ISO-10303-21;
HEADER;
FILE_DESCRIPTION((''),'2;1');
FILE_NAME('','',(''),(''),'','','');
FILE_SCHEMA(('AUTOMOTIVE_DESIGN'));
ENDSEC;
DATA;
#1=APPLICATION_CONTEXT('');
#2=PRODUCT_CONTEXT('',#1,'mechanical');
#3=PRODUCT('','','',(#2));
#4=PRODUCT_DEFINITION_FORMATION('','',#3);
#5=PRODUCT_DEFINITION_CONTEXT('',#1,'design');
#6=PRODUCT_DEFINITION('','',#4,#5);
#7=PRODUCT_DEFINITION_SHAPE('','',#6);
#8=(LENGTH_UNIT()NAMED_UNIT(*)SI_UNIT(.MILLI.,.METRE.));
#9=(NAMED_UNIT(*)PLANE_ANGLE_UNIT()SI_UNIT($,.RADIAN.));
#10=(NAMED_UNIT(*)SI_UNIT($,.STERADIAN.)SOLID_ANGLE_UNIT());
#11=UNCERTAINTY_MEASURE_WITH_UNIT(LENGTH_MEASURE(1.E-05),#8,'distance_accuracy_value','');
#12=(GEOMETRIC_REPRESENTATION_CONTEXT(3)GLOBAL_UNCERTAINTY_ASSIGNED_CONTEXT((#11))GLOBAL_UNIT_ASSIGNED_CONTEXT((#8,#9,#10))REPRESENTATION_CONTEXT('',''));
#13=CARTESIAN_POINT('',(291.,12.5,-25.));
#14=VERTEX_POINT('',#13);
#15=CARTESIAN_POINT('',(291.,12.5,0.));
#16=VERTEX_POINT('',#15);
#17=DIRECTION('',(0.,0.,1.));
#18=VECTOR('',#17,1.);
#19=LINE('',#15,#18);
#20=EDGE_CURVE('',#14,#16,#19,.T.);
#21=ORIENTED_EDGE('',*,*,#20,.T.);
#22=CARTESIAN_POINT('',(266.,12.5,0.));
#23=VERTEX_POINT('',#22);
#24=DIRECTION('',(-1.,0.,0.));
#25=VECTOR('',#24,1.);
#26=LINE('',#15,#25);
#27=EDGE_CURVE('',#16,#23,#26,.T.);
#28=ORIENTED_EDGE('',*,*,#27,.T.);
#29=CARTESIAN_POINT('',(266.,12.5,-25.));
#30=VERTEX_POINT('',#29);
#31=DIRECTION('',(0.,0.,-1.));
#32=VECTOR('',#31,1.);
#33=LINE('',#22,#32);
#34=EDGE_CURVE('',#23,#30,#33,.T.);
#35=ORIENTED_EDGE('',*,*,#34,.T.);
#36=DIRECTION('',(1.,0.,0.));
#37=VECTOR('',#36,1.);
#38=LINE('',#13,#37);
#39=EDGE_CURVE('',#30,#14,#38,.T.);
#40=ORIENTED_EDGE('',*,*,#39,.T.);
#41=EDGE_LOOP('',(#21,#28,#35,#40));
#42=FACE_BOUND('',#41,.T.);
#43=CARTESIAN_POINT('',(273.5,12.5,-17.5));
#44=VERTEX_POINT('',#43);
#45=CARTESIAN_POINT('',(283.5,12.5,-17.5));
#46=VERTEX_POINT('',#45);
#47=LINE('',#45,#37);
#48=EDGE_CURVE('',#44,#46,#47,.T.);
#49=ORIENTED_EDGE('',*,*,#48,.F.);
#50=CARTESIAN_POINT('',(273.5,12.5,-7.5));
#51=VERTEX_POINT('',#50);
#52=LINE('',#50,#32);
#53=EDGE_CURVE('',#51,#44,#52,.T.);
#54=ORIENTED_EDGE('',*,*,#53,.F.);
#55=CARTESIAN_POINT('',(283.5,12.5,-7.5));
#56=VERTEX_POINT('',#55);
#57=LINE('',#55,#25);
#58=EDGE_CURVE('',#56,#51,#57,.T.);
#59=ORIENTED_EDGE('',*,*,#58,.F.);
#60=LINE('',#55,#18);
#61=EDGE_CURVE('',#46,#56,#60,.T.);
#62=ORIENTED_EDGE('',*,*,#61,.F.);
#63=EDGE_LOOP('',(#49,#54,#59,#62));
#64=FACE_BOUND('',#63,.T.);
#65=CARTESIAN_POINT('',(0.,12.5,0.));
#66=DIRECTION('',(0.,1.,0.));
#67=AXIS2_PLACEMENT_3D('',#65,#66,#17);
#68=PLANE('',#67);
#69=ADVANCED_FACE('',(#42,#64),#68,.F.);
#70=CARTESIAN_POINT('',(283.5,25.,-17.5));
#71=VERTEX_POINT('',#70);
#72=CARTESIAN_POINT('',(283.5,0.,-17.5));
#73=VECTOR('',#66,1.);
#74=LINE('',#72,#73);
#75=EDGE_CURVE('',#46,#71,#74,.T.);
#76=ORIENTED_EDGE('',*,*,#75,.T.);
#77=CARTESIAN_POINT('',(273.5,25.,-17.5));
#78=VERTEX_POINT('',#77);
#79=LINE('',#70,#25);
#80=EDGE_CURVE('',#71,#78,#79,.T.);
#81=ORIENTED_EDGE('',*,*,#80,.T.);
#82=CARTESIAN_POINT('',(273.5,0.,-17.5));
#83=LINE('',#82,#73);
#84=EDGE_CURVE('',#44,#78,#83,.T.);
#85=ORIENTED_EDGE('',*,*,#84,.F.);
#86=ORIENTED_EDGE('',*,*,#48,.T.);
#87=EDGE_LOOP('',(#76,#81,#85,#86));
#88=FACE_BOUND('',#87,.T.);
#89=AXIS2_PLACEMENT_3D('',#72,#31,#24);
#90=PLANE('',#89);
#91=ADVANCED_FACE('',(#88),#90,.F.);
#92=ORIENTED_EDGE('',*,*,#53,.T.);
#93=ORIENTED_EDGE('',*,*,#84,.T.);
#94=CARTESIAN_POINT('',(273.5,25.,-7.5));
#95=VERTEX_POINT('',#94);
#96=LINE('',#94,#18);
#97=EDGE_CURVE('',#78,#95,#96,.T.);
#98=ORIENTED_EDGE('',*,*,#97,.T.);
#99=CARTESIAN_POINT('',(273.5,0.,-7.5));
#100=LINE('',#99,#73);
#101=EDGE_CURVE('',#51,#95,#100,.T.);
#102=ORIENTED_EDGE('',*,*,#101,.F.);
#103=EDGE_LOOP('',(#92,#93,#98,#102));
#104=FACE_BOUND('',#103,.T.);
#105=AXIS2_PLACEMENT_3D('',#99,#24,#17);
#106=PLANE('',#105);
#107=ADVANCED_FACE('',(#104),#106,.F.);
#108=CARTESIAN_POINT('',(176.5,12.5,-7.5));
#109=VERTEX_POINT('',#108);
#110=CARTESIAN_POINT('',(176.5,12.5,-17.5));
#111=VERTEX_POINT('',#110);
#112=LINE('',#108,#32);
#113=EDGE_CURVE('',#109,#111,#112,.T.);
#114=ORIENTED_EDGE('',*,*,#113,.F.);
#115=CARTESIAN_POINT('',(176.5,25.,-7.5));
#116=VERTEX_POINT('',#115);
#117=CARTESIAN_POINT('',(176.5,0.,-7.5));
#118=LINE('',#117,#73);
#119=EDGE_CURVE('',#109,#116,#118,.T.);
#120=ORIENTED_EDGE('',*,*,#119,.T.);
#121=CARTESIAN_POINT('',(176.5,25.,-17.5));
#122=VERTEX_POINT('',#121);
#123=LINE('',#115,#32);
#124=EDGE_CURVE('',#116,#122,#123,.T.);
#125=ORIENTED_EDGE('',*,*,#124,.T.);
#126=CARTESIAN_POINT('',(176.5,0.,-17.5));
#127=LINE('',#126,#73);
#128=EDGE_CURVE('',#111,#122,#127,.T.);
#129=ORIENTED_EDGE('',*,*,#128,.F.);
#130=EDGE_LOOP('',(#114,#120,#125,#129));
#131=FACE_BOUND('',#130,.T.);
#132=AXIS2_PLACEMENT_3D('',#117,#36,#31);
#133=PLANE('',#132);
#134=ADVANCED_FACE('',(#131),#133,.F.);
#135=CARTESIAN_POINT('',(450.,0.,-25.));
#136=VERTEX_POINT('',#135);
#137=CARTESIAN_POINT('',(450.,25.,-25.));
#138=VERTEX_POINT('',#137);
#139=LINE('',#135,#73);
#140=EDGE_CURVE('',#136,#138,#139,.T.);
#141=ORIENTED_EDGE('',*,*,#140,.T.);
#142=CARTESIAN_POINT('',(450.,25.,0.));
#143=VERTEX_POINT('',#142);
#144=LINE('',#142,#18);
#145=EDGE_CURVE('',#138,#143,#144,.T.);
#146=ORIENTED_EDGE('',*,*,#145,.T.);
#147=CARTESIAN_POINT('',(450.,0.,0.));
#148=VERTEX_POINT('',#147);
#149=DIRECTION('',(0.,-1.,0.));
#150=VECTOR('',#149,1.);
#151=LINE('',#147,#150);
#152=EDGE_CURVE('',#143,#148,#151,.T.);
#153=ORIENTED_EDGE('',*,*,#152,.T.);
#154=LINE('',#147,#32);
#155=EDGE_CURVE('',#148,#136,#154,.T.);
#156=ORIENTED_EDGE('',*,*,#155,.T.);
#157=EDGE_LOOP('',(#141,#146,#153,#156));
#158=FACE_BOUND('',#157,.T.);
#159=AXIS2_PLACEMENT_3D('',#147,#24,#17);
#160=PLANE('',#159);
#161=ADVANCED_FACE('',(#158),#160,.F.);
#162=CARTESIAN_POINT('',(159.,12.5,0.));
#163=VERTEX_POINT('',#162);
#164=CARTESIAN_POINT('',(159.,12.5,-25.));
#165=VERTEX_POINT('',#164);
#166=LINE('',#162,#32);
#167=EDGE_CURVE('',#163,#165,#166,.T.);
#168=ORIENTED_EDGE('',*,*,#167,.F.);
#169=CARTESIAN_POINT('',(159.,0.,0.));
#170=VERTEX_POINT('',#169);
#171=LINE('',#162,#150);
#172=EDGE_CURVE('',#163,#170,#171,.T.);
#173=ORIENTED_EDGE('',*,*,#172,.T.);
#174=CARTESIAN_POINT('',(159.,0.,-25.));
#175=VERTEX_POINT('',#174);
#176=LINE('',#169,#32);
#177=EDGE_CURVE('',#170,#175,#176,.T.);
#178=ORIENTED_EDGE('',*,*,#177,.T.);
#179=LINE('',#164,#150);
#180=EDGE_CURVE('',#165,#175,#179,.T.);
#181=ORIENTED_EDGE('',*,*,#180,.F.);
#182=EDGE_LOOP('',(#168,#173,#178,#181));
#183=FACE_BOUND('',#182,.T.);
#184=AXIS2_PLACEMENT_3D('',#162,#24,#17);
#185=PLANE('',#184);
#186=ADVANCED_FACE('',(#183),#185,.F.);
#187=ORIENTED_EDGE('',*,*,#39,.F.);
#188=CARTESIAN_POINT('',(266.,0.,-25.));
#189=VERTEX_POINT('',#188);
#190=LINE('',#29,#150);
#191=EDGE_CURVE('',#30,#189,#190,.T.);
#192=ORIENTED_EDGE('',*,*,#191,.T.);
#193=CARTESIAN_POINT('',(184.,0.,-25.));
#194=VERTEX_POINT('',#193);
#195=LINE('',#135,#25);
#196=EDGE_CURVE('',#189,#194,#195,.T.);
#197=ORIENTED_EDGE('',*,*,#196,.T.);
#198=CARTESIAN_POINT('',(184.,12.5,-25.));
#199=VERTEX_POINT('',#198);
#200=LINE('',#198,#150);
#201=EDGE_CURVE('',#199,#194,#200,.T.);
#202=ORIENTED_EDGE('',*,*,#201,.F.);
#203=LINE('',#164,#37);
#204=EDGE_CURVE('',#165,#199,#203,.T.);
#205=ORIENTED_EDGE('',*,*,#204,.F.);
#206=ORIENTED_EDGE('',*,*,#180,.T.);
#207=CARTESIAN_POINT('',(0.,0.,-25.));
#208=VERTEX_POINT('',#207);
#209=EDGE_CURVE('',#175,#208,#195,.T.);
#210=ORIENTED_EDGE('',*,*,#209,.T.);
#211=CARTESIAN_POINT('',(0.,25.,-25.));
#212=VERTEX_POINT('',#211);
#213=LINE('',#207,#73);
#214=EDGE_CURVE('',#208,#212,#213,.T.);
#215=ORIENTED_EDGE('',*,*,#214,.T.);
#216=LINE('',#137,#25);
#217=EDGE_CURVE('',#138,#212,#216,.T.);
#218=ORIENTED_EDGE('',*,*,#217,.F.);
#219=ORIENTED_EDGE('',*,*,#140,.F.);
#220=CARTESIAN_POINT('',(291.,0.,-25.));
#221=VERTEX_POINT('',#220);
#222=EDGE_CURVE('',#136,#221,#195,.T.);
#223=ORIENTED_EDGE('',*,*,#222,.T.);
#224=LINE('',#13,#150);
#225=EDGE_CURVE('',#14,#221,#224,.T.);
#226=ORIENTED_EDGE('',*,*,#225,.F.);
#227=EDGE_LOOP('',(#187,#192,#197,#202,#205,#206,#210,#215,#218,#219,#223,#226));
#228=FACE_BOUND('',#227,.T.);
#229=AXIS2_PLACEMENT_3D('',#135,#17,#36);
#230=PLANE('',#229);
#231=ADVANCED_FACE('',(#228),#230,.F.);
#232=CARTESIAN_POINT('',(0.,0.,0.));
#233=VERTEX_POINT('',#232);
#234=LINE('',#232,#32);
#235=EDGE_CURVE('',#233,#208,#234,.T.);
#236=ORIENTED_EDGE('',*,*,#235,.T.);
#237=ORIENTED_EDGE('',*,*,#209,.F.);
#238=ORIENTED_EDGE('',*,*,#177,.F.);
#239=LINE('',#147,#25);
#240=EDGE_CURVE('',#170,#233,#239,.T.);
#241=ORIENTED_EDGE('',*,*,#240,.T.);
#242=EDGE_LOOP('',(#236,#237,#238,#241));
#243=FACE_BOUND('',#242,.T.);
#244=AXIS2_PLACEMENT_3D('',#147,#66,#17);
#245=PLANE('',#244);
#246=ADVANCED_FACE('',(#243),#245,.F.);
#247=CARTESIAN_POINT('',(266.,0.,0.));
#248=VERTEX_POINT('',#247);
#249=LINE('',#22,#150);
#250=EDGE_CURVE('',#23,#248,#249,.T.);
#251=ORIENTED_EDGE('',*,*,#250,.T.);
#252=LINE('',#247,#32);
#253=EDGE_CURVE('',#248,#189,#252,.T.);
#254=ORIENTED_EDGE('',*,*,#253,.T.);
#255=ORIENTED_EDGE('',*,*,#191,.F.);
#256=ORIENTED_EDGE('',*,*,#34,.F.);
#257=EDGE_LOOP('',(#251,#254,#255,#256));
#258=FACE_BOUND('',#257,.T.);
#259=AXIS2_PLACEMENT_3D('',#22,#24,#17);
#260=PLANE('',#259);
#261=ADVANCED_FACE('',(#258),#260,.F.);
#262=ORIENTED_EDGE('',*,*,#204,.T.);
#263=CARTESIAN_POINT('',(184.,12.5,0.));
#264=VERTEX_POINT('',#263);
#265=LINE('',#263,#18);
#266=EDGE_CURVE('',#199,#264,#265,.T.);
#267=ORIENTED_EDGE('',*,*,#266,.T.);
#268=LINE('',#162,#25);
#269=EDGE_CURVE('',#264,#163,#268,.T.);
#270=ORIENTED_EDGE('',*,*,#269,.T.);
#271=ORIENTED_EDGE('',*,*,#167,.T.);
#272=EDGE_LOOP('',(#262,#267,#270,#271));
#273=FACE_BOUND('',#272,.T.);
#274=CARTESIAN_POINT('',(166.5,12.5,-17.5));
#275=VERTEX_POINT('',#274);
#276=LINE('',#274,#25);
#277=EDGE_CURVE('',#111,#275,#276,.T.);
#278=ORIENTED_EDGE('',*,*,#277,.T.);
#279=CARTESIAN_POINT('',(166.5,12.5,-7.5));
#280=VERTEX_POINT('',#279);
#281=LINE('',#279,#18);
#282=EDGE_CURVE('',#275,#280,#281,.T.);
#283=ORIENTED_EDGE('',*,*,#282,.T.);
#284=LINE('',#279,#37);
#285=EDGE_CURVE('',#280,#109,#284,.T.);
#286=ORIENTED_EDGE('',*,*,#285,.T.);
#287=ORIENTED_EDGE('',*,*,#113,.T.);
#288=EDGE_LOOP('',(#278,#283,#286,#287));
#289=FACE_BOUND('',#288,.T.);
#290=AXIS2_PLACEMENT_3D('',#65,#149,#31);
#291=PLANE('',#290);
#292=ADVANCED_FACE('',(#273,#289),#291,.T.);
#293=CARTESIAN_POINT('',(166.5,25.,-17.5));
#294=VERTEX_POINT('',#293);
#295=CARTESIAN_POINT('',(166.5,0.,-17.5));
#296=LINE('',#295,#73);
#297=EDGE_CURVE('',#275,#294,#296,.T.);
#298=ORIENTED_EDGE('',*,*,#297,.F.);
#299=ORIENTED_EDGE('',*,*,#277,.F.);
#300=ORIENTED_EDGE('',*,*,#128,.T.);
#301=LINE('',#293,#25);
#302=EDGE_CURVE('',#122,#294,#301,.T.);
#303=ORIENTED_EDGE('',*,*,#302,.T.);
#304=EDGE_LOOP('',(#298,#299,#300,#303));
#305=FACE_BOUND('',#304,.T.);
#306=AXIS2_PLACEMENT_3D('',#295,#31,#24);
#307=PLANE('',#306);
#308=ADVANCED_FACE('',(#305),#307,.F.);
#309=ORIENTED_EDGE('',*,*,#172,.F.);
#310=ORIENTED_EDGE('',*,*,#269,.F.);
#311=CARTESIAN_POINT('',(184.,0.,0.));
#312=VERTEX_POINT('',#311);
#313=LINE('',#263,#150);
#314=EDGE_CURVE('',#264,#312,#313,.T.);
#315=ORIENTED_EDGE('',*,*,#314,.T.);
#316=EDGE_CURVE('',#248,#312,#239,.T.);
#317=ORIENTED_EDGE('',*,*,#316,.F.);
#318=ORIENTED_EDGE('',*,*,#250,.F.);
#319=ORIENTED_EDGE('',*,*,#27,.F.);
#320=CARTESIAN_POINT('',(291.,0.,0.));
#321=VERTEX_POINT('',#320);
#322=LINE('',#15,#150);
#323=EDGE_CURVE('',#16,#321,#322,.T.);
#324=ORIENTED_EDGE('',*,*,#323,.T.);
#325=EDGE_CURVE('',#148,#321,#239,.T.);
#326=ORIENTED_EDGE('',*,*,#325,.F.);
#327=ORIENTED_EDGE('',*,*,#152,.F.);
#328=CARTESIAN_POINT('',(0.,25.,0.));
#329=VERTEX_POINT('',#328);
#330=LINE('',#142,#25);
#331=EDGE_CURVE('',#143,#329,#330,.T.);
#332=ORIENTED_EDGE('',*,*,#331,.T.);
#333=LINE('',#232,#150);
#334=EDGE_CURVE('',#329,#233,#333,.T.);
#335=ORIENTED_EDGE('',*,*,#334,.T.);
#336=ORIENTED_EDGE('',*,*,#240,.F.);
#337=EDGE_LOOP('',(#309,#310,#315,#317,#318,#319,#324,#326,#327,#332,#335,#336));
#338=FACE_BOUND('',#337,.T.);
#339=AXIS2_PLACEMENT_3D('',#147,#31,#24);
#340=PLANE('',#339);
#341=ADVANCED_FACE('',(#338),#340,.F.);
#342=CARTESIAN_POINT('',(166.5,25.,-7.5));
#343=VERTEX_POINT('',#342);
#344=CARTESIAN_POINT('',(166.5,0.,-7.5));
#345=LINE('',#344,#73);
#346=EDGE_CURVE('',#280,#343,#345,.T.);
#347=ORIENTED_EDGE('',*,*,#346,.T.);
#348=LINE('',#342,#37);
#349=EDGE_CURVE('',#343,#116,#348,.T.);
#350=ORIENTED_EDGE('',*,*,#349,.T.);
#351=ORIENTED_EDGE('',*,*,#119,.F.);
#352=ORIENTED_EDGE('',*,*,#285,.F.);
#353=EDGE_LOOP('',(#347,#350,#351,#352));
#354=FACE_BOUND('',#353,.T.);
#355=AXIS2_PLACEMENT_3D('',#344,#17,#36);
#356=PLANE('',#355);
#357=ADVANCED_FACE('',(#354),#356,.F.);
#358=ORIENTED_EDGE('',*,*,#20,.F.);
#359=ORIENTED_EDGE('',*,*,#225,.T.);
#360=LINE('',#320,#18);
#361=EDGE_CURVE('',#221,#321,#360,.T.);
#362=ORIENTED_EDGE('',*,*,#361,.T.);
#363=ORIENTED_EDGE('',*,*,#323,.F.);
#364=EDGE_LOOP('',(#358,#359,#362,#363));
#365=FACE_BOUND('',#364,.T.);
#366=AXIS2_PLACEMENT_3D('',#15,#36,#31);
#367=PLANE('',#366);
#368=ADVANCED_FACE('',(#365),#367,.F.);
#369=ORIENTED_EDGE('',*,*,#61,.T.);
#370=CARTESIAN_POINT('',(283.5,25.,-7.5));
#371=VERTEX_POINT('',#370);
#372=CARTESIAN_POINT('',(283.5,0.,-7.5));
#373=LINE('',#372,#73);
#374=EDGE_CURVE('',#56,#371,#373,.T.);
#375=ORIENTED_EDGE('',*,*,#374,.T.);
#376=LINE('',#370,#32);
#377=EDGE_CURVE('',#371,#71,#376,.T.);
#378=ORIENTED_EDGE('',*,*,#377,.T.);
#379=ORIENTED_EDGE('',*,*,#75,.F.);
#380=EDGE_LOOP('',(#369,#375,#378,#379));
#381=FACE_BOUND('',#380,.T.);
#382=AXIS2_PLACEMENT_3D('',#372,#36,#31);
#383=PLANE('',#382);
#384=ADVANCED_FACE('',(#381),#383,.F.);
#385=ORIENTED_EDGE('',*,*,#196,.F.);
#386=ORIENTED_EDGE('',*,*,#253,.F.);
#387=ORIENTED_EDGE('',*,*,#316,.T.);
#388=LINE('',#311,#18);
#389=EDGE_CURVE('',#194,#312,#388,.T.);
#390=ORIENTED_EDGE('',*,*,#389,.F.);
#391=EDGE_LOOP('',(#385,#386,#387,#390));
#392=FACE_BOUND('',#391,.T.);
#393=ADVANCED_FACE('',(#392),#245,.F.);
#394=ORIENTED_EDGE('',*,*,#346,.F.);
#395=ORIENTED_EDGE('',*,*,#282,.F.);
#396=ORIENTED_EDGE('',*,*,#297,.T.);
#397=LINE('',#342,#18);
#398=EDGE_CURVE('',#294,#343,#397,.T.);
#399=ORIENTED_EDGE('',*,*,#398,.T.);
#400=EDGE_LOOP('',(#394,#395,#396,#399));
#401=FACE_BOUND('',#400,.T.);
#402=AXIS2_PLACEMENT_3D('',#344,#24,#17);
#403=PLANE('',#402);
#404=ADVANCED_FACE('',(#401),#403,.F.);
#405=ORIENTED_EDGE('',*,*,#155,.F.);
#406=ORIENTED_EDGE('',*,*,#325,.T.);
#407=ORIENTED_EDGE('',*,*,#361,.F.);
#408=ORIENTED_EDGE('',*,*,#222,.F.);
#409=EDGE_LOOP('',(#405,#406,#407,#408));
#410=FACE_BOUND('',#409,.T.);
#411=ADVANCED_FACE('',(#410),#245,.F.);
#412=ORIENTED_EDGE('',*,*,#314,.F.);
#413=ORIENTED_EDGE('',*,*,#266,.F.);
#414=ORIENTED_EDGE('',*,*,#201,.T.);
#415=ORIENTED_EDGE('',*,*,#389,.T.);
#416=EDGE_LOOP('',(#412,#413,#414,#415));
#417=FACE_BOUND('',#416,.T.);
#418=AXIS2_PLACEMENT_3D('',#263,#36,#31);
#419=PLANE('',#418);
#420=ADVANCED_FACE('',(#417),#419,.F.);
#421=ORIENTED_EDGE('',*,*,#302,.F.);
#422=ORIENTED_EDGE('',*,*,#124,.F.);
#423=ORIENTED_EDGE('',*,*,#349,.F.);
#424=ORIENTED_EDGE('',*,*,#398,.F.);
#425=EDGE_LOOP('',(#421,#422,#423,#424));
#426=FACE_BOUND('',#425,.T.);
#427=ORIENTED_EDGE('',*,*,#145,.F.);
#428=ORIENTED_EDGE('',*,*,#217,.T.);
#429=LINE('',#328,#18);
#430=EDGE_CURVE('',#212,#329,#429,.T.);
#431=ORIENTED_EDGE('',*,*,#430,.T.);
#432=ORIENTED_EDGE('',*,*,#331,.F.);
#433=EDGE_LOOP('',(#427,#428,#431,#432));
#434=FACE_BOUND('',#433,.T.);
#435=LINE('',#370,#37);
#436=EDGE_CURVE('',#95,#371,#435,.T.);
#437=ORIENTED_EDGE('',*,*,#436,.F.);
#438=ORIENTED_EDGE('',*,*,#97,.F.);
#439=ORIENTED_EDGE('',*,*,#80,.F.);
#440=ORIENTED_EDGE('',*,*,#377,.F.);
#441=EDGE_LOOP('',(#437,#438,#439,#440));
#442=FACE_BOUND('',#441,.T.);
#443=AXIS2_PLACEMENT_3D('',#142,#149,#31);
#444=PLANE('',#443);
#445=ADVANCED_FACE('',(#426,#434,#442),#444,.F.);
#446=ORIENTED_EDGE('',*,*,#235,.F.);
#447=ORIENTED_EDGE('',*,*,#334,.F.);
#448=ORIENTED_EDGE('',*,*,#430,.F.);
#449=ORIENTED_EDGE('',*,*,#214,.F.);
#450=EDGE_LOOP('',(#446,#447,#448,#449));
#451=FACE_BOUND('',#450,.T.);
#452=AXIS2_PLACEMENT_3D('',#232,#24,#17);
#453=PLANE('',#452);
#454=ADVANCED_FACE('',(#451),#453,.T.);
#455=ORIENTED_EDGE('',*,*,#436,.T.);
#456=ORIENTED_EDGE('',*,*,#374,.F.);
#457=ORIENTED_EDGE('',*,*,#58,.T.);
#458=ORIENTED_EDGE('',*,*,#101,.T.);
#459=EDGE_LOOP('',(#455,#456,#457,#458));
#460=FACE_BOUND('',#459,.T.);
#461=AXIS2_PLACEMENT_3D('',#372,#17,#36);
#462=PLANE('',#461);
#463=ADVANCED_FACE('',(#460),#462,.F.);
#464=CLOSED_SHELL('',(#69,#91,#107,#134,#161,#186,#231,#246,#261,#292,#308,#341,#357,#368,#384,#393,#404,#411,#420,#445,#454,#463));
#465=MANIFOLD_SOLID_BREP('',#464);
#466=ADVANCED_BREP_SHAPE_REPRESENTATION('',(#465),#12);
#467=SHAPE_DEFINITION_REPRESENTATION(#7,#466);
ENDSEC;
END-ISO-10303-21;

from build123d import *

# Parameters (mm, degrees)
SKETCH1_W           = 25
SKETCH1_H           = 25
BOSS_EXTRUDE1_DEPTH = 450
SKETCH2_W           = 10
SKETCH2_H           = 10
CUT_EXTRUDE1_DEPTH  = 452.386752132
SKETCH3_W           = 25
SKETCH3_H           = 25
CUT_EXTRUDE2_DEPTH  = 12.5


with BuildPart() as part:
    # Sketch1 → Boss-Extrude1 (new body)
    with BuildSketch(Plane(origin=(0, 0, 0), x_dir=(0, 0, -1), z_dir=(1, 0, 0))):
        with Locations((12.5, 12.5)):
            Rectangle(SKETCH1_W, SKETCH1_H)
    extrude(amount=BOSS_EXTRUDE1_DEPTH)

    # Sketch2 → Cut-Extrude1 (cut, through all)
    with BuildSketch(Plane(origin=(0, 25, 0), x_dir=(1, 0, 0), z_dir=(0, 1, 0))):
        with Locations((278.5, 12.5)):
            Rectangle(SKETCH2_W, SKETCH2_H)
        with Locations((171.5, 12.5)):
            Rectangle(SKETCH2_W, SKETCH2_H)
    extrude(amount=-CUT_EXTRUDE1_DEPTH, mode=Mode.SUBTRACT)

    # Sketch3 → Cut-Extrude2 (cut)
    with BuildSketch(Plane.XZ):
        with Locations((278.5, -12.5)):
            Rectangle(SKETCH3_W, SKETCH3_H)
        with Locations((171.5, -12.5)):
            Rectangle(SKETCH3_W, SKETCH3_H)
    extrude(amount=-CUT_EXTRUDE2_DEPTH, mode=Mode.SUBTRACT)


solid = part.part
